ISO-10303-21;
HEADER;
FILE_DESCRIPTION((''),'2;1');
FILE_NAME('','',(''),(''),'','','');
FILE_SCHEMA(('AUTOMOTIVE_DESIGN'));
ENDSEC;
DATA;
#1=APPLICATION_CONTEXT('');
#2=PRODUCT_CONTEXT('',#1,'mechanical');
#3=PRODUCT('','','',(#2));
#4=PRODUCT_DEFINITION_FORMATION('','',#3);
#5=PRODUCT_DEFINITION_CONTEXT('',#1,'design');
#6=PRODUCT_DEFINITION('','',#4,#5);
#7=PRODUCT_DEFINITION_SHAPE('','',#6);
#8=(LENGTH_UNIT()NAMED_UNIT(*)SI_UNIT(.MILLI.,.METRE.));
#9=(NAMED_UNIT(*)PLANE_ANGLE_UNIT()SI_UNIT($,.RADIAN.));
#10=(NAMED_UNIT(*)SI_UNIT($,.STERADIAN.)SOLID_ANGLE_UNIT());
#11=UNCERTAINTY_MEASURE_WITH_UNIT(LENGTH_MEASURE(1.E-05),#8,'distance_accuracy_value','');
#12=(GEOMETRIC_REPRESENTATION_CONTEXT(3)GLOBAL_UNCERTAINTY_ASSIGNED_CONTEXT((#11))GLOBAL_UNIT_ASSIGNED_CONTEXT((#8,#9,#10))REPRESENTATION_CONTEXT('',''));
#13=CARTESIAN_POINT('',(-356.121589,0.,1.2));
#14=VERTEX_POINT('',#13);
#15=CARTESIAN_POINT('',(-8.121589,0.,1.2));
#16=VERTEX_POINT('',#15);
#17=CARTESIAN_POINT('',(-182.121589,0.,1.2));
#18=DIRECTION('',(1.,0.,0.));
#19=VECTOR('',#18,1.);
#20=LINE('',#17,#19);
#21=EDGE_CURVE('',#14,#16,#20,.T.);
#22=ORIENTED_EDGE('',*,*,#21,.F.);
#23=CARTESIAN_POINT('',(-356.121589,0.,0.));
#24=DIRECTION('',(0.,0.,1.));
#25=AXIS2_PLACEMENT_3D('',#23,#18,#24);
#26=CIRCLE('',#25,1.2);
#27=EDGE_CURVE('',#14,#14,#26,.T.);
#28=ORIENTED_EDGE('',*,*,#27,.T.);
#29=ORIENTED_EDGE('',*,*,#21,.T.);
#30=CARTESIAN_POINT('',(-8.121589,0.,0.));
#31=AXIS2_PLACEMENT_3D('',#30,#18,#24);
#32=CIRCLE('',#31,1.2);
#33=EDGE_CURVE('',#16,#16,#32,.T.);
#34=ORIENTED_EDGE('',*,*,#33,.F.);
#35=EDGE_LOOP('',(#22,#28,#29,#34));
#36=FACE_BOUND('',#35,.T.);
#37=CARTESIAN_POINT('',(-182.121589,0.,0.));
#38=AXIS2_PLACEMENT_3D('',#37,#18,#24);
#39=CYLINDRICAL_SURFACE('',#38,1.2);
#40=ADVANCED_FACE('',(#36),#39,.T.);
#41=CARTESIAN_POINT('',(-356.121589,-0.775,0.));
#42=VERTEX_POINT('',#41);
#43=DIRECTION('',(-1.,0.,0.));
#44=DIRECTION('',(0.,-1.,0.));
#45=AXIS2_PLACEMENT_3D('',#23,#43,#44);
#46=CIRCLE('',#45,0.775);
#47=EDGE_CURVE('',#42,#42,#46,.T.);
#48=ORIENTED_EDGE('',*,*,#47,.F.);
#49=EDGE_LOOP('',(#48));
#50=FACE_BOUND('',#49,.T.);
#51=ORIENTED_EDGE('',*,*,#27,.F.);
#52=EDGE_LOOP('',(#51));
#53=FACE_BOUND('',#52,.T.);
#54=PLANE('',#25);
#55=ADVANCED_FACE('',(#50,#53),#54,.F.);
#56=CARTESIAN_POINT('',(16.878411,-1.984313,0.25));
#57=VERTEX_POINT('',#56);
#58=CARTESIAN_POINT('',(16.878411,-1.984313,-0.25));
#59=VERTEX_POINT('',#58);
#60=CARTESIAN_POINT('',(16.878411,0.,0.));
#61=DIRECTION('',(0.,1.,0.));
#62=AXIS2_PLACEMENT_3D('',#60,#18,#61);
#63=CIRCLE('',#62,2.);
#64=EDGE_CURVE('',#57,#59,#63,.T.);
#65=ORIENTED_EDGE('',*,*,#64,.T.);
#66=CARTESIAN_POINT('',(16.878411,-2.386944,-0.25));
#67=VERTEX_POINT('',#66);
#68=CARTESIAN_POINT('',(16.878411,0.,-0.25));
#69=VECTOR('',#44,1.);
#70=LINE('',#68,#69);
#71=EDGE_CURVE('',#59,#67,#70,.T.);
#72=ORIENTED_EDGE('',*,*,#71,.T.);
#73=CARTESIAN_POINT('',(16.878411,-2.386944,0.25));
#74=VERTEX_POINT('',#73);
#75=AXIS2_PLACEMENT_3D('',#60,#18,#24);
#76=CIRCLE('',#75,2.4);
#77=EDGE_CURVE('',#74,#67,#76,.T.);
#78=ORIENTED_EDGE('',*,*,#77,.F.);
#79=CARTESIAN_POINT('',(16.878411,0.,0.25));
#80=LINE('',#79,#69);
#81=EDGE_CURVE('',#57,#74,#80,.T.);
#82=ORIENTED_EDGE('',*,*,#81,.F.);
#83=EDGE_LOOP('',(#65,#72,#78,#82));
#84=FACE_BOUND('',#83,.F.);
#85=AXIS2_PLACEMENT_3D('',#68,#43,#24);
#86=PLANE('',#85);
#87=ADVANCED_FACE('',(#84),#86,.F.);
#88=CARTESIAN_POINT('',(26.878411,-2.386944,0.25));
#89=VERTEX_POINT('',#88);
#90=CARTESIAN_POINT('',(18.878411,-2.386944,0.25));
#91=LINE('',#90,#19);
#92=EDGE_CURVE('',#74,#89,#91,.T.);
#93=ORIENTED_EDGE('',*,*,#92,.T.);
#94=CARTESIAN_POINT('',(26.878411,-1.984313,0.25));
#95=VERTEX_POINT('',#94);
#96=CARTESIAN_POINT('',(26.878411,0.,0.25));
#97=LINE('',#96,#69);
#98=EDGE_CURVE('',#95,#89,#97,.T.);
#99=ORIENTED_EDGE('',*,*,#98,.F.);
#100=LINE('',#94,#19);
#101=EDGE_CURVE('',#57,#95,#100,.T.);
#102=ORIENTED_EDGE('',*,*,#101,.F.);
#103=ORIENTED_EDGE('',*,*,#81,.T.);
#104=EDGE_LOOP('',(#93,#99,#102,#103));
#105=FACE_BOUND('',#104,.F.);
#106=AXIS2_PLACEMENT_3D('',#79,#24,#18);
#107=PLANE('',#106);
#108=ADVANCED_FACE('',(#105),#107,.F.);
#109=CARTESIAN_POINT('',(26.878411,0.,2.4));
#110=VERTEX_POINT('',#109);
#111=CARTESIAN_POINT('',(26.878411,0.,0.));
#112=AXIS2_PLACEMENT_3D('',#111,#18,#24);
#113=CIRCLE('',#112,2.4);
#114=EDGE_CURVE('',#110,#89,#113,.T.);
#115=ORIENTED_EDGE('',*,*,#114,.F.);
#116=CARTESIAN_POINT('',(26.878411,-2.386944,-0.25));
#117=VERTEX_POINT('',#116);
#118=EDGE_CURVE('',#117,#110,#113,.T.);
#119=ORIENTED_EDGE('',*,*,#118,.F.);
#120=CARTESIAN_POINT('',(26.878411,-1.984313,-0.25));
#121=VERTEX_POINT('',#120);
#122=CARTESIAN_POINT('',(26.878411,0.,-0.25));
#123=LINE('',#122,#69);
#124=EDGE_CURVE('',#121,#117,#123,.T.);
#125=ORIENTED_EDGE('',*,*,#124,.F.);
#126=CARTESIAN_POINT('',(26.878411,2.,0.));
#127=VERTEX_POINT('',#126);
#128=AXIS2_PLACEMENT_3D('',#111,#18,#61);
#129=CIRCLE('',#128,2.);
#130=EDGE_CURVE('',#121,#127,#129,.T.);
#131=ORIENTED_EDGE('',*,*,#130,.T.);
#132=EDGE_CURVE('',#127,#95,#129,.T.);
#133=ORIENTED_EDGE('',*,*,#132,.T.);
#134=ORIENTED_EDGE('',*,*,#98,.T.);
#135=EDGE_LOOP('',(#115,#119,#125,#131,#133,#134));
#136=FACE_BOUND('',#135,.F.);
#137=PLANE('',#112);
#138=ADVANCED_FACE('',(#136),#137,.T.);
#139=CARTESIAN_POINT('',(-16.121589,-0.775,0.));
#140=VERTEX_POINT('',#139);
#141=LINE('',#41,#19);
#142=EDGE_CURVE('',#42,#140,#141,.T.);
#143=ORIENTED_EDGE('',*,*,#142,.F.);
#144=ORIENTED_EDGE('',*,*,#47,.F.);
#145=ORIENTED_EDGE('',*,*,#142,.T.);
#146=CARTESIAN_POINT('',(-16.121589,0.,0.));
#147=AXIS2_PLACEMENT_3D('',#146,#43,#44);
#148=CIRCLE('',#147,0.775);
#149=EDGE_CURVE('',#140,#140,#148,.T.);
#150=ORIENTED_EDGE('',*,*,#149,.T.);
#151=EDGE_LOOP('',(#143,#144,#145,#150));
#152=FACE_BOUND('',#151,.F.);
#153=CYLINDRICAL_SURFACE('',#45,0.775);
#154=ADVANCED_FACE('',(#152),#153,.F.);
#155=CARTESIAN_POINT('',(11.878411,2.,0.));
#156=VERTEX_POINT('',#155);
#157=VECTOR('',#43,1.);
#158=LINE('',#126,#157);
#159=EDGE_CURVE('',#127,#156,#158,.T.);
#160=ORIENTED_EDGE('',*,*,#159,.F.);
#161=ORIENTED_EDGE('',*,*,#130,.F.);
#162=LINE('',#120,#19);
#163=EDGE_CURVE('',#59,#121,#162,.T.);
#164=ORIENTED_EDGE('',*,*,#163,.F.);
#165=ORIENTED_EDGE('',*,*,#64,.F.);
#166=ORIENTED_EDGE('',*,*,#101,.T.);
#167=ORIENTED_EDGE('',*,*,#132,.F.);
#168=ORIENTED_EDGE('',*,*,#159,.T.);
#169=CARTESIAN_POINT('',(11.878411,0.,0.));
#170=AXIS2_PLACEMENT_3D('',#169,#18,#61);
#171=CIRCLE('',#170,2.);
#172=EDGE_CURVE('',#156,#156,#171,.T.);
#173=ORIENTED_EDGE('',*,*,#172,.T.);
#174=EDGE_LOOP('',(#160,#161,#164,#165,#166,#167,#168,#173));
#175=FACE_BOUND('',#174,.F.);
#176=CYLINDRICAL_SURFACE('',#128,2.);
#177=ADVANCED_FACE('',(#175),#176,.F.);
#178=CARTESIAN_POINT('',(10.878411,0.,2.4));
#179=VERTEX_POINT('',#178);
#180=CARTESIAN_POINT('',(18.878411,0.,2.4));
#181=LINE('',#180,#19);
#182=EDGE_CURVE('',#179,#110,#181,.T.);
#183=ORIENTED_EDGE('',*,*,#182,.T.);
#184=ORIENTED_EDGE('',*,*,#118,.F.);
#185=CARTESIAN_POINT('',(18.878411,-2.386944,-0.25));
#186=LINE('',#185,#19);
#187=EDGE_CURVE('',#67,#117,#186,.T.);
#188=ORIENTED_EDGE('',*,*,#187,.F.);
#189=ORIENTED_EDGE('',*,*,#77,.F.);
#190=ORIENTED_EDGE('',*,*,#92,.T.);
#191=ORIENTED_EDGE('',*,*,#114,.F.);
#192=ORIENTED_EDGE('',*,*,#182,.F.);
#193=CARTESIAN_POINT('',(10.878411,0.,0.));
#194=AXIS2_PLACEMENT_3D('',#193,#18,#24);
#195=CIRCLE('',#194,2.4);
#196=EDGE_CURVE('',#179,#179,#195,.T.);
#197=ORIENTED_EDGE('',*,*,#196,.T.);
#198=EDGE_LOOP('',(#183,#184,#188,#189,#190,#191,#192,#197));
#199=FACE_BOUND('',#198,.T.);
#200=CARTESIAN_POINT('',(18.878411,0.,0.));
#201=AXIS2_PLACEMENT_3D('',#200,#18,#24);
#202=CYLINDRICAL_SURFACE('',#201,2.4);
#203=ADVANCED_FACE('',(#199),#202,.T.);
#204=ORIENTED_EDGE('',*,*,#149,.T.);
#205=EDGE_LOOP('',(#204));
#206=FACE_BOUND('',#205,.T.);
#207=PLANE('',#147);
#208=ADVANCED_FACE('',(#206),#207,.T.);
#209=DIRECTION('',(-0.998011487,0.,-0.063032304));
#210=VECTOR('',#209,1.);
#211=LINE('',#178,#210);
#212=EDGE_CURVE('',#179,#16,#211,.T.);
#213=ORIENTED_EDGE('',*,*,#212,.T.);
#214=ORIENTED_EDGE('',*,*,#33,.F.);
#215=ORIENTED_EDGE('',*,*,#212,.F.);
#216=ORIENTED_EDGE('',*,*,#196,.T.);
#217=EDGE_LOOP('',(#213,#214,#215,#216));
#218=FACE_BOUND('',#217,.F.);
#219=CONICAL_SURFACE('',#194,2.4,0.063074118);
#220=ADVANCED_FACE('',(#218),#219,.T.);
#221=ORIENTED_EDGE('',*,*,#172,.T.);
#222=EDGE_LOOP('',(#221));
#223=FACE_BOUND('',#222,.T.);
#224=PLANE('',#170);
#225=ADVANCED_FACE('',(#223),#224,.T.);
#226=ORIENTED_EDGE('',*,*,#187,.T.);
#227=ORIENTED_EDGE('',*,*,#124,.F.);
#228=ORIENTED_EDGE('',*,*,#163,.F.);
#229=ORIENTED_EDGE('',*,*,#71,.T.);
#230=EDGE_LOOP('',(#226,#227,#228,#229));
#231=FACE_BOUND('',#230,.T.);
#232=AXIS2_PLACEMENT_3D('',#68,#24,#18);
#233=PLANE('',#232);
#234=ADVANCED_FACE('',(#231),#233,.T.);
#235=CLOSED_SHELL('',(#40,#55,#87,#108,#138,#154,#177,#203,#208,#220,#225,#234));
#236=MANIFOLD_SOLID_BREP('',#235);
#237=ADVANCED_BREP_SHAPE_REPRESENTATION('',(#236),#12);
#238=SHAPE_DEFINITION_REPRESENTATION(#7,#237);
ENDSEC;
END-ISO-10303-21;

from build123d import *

# Parameters (mm, degrees)
F0_W     = 16
F0_H     = 2.4
F0_W_2   = 348
F0_H_2   = 1.2
F2_R     = 2
F3_DEPTH = 15
F4_W     = 10
F4_H     = 0.5
F5_DEPTH = 10
F6_R     = 0.775
F7_DEPTH = 340


with BuildPart() as f1:
    # F0 (on Front) → F1 (revolve)
    with BuildSketch(Plane.XZ):
        with Locations((18.878411, 1.2)):
            Rectangle(F0_W, F0_H)
        Polygon((-8.121589, 0), (10.878411, 0), (10.878411, 2.4), (-8.121589, 1.2), align=None)
        with Locations((-182.121589, 0.6)):
            Rectangle(F0_W_2, F0_H_2)
    revolve(axis=Axis((11.143533, 0, 0), (1, 0, 0)))

    # F2 (on face) → F3 (cut)
    with BuildSketch(Plane.YZ.offset(26.878411)):
        Circle(F2_R)
    extrude(amount=-F3_DEPTH, mode=Mode.SUBTRACT)

    # F4 (on Front) → F5 (cut)
    with BuildSketch(Plane.XZ):
        with Locations((21.878411, 0)):
            Rectangle(F4_W, F4_H)
    extrude(amount=F5_DEPTH, mode=Mode.SUBTRACT)

    # F6 (on face) → F7 (cut)
    with BuildSketch(Plane(origin=(-356.121589, 0, 0), x_dir=(0, -1, 0), z_dir=(-1, 0, 0))):
        Circle(F6_R)
    extrude(amount=-F7_DEPTH, mode=Mode.SUBTRACT)


solid = f1.part
